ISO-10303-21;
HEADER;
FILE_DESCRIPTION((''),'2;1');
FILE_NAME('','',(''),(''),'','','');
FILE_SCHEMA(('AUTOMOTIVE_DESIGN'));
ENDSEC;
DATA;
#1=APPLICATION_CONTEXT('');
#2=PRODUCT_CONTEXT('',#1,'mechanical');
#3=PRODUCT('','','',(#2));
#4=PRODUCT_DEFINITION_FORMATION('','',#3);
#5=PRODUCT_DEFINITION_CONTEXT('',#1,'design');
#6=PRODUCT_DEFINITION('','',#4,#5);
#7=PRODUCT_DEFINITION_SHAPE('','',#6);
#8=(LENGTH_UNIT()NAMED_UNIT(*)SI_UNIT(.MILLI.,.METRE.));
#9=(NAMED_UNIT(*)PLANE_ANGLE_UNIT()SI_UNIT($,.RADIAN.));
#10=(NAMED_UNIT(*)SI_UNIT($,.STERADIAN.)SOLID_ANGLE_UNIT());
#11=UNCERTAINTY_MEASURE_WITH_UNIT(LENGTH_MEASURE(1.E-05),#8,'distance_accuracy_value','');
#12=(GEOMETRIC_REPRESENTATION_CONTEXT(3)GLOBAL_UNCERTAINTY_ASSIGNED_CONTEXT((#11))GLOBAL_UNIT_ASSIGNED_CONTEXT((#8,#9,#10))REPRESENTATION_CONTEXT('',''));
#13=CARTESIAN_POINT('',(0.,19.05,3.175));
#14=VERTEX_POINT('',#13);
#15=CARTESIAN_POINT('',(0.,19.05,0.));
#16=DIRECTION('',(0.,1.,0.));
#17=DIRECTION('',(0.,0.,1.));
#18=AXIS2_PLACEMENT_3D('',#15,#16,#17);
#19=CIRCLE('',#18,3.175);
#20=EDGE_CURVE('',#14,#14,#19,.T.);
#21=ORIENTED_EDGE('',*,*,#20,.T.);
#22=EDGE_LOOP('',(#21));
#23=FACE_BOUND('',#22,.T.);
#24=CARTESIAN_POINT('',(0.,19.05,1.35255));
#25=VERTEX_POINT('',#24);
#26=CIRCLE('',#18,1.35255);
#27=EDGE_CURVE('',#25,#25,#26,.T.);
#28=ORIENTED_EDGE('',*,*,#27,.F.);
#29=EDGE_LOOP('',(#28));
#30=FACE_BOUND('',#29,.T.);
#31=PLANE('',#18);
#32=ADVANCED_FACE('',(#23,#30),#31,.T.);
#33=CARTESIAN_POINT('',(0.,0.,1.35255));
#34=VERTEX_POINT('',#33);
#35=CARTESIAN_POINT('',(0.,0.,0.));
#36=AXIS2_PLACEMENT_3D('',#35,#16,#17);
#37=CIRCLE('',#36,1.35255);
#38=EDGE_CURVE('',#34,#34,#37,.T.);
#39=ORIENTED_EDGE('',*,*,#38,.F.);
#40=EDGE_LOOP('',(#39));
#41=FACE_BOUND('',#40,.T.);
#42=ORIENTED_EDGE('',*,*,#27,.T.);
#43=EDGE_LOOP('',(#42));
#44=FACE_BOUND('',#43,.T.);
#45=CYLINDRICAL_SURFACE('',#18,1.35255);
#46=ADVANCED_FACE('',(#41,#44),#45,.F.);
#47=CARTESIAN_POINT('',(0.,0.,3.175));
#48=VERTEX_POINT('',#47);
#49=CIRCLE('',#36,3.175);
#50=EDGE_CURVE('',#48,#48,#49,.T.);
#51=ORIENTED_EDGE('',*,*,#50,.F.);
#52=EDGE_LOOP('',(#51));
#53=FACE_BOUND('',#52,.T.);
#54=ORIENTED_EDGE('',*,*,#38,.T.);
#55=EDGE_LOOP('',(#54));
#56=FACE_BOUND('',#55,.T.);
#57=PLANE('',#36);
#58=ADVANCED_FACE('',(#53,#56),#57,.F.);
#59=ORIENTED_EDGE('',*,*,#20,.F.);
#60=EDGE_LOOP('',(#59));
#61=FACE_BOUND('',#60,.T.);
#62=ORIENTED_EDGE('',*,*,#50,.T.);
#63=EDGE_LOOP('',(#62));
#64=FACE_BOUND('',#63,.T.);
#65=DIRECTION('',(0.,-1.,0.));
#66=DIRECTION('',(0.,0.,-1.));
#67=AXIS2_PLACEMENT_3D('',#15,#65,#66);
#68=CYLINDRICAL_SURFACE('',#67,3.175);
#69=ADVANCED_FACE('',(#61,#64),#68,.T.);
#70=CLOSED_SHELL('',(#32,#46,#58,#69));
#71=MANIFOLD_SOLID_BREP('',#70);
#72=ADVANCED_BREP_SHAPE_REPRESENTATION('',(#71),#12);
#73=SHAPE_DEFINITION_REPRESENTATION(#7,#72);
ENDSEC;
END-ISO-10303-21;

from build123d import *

# Parameters (mm, degrees)
SKETCH1_R                 = 3.175
BOSS_EXTRUDE1_DEPTH       = 19.05
TAP_DRILL_FOR_6_32_TAP1_D = 2.7051


with BuildPart() as part:
    # Sketch1 → Boss-Extrude1 (new body)
    with BuildSketch(Plane(origin=(0, 0, 0), x_dir=(1, 0, 0), z_dir=(0, 1, 0))):
        Circle(SKETCH1_R)
    extrude(amount=BOSS_EXTRUDE1_DEPTH)

    # Tap Drill for #6-32 Tap1 (through all)
    with Locations(Plane(origin=(0, 19.05, 0), x_dir=(1, 0, 0), z_dir=(0, 1, 0))):
        with Locations((0, 0)):
            Hole(TAP_DRILL_FOR_6_32_TAP1_D / 2)


solid = part.part
